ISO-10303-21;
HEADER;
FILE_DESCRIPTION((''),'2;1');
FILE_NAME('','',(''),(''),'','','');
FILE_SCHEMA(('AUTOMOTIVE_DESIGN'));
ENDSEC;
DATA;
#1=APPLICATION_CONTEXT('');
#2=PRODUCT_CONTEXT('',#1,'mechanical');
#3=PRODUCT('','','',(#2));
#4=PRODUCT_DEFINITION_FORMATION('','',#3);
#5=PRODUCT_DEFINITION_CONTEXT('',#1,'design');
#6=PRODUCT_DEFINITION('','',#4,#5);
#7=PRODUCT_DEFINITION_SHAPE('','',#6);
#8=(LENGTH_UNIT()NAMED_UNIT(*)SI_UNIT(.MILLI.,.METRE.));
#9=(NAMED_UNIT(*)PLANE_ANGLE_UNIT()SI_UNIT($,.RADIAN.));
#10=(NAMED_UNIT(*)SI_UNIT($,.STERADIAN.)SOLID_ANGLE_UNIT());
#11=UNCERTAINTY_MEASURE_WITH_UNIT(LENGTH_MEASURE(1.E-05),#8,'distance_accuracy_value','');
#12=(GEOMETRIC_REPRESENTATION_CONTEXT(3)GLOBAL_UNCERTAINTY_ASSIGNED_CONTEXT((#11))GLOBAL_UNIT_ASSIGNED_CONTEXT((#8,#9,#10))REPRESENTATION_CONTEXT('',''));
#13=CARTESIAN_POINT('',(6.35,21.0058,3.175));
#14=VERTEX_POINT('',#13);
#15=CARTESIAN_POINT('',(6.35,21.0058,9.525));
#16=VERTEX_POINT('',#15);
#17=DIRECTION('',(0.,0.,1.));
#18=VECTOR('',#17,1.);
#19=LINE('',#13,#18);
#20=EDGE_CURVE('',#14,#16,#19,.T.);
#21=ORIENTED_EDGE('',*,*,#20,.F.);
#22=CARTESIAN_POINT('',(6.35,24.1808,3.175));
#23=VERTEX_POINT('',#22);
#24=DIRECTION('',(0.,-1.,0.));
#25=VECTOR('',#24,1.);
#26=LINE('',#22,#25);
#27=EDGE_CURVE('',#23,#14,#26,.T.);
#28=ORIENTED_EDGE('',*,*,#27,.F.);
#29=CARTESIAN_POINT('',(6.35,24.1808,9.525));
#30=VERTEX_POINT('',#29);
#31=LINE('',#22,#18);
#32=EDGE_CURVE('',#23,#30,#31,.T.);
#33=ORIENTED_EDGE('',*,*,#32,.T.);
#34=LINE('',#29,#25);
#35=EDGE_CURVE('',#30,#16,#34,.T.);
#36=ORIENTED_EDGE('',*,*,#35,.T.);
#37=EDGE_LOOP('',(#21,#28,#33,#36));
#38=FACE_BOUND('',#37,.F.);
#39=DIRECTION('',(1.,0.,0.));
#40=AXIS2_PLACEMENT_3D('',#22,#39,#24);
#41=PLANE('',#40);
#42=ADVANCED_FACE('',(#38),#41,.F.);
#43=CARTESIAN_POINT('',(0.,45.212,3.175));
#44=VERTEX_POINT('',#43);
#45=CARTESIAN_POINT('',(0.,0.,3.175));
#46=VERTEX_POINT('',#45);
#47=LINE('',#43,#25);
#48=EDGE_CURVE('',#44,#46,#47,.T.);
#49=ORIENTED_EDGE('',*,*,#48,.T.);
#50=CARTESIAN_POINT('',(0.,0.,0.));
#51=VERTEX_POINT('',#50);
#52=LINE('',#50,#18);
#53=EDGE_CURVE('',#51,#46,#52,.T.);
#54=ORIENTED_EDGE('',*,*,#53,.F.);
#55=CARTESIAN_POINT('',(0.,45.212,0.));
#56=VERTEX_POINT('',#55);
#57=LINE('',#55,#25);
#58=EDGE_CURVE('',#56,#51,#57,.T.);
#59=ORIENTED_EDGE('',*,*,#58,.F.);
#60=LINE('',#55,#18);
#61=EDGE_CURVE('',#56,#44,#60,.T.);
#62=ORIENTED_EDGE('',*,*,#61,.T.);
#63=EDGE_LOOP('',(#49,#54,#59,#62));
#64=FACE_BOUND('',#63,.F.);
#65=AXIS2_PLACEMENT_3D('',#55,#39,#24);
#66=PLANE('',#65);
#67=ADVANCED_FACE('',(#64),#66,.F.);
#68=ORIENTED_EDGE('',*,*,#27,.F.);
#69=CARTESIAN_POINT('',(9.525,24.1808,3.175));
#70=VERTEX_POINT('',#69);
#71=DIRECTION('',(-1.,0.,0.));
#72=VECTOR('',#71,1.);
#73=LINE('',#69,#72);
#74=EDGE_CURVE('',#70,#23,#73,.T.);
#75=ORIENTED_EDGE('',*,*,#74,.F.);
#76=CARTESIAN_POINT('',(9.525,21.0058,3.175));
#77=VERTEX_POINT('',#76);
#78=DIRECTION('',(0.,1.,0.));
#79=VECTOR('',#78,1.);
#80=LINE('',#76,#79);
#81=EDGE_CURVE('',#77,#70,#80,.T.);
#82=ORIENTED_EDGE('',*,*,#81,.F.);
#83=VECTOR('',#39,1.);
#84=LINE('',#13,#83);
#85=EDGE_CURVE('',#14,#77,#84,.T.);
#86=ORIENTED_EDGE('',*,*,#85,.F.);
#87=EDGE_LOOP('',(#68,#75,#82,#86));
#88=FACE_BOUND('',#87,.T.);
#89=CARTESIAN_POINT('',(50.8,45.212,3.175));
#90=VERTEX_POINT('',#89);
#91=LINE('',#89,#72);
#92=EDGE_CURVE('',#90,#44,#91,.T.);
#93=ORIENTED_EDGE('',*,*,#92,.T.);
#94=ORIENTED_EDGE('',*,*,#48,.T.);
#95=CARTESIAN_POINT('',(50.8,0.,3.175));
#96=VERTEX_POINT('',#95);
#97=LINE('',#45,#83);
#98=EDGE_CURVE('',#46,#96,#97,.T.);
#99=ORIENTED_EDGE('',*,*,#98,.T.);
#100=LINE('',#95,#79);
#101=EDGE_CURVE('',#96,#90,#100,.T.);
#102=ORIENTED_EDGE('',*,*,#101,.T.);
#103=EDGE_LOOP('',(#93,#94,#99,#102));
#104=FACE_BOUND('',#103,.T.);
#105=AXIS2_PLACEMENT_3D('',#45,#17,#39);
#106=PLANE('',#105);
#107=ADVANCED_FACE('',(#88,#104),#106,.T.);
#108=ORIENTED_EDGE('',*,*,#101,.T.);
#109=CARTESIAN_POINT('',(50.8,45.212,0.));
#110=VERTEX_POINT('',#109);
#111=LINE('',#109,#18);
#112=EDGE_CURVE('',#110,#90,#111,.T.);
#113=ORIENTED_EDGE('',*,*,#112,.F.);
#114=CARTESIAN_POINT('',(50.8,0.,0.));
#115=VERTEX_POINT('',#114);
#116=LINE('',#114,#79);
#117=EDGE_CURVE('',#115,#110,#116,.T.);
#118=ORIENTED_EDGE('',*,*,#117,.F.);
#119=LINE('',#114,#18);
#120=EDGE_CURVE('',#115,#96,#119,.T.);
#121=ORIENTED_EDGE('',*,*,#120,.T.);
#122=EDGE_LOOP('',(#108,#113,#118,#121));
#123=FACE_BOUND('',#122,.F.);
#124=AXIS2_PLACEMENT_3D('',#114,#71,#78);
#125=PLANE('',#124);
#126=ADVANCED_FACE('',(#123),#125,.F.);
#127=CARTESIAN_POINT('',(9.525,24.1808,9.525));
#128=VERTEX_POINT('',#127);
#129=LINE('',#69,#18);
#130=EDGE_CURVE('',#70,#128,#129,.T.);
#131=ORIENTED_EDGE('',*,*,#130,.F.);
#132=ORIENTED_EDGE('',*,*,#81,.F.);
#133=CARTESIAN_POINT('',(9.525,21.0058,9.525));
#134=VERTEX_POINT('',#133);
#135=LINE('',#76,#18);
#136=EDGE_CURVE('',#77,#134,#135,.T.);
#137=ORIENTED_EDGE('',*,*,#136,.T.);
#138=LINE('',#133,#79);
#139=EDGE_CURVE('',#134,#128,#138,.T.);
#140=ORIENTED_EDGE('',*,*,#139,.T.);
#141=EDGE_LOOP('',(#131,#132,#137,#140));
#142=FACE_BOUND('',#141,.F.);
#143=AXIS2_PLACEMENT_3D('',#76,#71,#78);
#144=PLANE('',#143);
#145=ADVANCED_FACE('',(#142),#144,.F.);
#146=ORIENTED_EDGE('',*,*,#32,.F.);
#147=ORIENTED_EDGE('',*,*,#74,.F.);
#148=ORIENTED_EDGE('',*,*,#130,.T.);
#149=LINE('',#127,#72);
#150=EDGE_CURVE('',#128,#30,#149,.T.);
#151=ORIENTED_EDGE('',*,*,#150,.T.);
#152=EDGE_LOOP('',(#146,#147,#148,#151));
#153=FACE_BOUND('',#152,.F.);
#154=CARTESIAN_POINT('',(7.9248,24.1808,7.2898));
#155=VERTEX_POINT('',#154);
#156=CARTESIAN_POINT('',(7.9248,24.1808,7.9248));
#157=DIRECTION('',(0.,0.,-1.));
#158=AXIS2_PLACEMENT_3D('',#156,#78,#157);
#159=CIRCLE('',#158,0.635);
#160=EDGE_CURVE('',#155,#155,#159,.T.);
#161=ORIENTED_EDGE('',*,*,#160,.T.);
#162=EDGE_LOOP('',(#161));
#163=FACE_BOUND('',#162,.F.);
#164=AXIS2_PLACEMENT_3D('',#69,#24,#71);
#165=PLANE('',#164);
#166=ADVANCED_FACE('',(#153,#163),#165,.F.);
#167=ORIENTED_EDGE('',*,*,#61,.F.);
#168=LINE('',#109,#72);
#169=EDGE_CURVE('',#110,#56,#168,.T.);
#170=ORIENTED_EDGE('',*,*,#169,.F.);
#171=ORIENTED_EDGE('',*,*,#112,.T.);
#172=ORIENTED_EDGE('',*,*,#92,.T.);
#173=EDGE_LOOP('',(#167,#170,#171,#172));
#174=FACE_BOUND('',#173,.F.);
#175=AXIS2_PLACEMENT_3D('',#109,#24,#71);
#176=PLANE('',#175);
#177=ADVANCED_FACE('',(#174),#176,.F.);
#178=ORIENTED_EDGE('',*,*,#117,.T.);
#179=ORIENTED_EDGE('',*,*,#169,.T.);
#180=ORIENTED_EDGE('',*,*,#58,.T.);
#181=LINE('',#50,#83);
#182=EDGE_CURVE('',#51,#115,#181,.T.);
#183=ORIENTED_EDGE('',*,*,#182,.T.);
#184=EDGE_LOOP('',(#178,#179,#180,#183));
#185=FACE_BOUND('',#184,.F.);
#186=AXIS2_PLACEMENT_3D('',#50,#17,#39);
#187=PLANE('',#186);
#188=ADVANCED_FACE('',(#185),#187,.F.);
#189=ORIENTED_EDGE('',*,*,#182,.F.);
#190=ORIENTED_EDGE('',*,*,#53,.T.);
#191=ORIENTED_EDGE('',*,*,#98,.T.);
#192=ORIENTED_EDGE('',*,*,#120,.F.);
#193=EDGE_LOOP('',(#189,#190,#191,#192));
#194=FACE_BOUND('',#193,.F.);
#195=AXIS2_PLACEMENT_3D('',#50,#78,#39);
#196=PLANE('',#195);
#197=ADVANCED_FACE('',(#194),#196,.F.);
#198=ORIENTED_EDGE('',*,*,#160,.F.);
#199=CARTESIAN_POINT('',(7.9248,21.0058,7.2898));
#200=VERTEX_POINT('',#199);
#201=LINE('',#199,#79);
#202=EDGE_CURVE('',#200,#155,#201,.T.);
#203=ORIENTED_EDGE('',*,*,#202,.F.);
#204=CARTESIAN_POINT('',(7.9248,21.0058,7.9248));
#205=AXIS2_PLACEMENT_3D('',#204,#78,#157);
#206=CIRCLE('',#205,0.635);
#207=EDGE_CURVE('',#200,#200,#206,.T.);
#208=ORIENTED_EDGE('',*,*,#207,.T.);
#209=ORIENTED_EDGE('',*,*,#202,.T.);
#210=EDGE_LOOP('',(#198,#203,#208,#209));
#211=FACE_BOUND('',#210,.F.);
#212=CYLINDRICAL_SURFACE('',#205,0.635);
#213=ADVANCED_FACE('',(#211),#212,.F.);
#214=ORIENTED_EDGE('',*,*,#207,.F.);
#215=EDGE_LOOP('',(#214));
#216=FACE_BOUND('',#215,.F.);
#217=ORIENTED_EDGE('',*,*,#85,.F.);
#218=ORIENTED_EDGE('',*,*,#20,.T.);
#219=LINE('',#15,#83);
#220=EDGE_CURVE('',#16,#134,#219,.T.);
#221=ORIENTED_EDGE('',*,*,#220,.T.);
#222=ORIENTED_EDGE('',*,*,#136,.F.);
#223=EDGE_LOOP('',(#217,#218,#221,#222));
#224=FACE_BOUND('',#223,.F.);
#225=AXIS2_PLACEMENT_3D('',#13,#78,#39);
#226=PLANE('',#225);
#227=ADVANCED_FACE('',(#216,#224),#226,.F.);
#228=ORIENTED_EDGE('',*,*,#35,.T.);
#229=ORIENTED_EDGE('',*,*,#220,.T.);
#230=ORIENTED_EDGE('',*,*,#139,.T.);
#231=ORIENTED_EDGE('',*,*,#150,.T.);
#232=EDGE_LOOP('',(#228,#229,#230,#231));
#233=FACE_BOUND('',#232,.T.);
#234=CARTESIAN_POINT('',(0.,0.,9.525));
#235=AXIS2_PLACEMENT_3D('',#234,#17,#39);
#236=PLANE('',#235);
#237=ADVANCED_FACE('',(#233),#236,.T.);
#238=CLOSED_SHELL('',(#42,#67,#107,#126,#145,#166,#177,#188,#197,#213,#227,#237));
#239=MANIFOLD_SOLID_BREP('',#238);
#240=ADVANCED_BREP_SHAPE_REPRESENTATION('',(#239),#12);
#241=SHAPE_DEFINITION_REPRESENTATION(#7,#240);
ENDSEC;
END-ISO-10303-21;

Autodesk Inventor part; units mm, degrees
ref_plane "YZ Plane" through (0, 0, 0) normal (1, 0, 0) x (0, 1, 0)
ref_plane "XZ Plane" through (0, 0, 0) normal (0, 1, 0) x (-1, 0, 0)
ref_plane "XY Plane" through (0, 0, 0) normal (0, 0, 1) x (1, 0, 0)
sketch "Sketch1" plane through (0, 0, 0) normal (0, 0, 1) x (1, 0, 0)
  line L0 (0, 0) -> (50.8, 0)
  line L1 (50.8, 0) -> (50.8, 45.212)
  line L2 (50.8, 45.212) -> (0, 45.212)
  line L3 (0, 45.212) -> (0, 0)
  dimension "d0" = 50.8
  dimension "d1" = 45.212
extrude "Extrusion1" add sketch "Sketch1" along normal blind 3.175
sketch "Sketch3" plane through (0, 0, 3.175) normal (0, 0, 1) x (1, 0, 0)
  point P0 (0, 0)
sketch "Sketch4" plane through (0, 0, 3.175) normal (0, 0, 1) x (1, 0, 0)
  point P0 (0, 0)
sketch "Sketch5" plane through (0, 0, 3.175) normal (0, 0, 1) x (1, 0, 0)
  line L0 (6.35, 21.0058) -> (9.525, 21.0058)
  line L1 (9.525, 21.0058) -> (9.525, 24.1808)
  line L2 (9.525, 24.1808) -> (6.35, 24.1808)
  line L3 (6.35, 24.1808) -> (6.35, 21.0058)
  point P0 (0, 0)
  dimension "d12" = 3.175
  dimension "d13" = 3.175
extrude "Extrusion3" add sketch "Sketch5" along normal blind 6.35
hole "Hole1" at (7.9248, 21.0058, 7.9248) direction (0, 1, 0) diameter 1.27 end through all
properties part number "HingePart1MK2"
